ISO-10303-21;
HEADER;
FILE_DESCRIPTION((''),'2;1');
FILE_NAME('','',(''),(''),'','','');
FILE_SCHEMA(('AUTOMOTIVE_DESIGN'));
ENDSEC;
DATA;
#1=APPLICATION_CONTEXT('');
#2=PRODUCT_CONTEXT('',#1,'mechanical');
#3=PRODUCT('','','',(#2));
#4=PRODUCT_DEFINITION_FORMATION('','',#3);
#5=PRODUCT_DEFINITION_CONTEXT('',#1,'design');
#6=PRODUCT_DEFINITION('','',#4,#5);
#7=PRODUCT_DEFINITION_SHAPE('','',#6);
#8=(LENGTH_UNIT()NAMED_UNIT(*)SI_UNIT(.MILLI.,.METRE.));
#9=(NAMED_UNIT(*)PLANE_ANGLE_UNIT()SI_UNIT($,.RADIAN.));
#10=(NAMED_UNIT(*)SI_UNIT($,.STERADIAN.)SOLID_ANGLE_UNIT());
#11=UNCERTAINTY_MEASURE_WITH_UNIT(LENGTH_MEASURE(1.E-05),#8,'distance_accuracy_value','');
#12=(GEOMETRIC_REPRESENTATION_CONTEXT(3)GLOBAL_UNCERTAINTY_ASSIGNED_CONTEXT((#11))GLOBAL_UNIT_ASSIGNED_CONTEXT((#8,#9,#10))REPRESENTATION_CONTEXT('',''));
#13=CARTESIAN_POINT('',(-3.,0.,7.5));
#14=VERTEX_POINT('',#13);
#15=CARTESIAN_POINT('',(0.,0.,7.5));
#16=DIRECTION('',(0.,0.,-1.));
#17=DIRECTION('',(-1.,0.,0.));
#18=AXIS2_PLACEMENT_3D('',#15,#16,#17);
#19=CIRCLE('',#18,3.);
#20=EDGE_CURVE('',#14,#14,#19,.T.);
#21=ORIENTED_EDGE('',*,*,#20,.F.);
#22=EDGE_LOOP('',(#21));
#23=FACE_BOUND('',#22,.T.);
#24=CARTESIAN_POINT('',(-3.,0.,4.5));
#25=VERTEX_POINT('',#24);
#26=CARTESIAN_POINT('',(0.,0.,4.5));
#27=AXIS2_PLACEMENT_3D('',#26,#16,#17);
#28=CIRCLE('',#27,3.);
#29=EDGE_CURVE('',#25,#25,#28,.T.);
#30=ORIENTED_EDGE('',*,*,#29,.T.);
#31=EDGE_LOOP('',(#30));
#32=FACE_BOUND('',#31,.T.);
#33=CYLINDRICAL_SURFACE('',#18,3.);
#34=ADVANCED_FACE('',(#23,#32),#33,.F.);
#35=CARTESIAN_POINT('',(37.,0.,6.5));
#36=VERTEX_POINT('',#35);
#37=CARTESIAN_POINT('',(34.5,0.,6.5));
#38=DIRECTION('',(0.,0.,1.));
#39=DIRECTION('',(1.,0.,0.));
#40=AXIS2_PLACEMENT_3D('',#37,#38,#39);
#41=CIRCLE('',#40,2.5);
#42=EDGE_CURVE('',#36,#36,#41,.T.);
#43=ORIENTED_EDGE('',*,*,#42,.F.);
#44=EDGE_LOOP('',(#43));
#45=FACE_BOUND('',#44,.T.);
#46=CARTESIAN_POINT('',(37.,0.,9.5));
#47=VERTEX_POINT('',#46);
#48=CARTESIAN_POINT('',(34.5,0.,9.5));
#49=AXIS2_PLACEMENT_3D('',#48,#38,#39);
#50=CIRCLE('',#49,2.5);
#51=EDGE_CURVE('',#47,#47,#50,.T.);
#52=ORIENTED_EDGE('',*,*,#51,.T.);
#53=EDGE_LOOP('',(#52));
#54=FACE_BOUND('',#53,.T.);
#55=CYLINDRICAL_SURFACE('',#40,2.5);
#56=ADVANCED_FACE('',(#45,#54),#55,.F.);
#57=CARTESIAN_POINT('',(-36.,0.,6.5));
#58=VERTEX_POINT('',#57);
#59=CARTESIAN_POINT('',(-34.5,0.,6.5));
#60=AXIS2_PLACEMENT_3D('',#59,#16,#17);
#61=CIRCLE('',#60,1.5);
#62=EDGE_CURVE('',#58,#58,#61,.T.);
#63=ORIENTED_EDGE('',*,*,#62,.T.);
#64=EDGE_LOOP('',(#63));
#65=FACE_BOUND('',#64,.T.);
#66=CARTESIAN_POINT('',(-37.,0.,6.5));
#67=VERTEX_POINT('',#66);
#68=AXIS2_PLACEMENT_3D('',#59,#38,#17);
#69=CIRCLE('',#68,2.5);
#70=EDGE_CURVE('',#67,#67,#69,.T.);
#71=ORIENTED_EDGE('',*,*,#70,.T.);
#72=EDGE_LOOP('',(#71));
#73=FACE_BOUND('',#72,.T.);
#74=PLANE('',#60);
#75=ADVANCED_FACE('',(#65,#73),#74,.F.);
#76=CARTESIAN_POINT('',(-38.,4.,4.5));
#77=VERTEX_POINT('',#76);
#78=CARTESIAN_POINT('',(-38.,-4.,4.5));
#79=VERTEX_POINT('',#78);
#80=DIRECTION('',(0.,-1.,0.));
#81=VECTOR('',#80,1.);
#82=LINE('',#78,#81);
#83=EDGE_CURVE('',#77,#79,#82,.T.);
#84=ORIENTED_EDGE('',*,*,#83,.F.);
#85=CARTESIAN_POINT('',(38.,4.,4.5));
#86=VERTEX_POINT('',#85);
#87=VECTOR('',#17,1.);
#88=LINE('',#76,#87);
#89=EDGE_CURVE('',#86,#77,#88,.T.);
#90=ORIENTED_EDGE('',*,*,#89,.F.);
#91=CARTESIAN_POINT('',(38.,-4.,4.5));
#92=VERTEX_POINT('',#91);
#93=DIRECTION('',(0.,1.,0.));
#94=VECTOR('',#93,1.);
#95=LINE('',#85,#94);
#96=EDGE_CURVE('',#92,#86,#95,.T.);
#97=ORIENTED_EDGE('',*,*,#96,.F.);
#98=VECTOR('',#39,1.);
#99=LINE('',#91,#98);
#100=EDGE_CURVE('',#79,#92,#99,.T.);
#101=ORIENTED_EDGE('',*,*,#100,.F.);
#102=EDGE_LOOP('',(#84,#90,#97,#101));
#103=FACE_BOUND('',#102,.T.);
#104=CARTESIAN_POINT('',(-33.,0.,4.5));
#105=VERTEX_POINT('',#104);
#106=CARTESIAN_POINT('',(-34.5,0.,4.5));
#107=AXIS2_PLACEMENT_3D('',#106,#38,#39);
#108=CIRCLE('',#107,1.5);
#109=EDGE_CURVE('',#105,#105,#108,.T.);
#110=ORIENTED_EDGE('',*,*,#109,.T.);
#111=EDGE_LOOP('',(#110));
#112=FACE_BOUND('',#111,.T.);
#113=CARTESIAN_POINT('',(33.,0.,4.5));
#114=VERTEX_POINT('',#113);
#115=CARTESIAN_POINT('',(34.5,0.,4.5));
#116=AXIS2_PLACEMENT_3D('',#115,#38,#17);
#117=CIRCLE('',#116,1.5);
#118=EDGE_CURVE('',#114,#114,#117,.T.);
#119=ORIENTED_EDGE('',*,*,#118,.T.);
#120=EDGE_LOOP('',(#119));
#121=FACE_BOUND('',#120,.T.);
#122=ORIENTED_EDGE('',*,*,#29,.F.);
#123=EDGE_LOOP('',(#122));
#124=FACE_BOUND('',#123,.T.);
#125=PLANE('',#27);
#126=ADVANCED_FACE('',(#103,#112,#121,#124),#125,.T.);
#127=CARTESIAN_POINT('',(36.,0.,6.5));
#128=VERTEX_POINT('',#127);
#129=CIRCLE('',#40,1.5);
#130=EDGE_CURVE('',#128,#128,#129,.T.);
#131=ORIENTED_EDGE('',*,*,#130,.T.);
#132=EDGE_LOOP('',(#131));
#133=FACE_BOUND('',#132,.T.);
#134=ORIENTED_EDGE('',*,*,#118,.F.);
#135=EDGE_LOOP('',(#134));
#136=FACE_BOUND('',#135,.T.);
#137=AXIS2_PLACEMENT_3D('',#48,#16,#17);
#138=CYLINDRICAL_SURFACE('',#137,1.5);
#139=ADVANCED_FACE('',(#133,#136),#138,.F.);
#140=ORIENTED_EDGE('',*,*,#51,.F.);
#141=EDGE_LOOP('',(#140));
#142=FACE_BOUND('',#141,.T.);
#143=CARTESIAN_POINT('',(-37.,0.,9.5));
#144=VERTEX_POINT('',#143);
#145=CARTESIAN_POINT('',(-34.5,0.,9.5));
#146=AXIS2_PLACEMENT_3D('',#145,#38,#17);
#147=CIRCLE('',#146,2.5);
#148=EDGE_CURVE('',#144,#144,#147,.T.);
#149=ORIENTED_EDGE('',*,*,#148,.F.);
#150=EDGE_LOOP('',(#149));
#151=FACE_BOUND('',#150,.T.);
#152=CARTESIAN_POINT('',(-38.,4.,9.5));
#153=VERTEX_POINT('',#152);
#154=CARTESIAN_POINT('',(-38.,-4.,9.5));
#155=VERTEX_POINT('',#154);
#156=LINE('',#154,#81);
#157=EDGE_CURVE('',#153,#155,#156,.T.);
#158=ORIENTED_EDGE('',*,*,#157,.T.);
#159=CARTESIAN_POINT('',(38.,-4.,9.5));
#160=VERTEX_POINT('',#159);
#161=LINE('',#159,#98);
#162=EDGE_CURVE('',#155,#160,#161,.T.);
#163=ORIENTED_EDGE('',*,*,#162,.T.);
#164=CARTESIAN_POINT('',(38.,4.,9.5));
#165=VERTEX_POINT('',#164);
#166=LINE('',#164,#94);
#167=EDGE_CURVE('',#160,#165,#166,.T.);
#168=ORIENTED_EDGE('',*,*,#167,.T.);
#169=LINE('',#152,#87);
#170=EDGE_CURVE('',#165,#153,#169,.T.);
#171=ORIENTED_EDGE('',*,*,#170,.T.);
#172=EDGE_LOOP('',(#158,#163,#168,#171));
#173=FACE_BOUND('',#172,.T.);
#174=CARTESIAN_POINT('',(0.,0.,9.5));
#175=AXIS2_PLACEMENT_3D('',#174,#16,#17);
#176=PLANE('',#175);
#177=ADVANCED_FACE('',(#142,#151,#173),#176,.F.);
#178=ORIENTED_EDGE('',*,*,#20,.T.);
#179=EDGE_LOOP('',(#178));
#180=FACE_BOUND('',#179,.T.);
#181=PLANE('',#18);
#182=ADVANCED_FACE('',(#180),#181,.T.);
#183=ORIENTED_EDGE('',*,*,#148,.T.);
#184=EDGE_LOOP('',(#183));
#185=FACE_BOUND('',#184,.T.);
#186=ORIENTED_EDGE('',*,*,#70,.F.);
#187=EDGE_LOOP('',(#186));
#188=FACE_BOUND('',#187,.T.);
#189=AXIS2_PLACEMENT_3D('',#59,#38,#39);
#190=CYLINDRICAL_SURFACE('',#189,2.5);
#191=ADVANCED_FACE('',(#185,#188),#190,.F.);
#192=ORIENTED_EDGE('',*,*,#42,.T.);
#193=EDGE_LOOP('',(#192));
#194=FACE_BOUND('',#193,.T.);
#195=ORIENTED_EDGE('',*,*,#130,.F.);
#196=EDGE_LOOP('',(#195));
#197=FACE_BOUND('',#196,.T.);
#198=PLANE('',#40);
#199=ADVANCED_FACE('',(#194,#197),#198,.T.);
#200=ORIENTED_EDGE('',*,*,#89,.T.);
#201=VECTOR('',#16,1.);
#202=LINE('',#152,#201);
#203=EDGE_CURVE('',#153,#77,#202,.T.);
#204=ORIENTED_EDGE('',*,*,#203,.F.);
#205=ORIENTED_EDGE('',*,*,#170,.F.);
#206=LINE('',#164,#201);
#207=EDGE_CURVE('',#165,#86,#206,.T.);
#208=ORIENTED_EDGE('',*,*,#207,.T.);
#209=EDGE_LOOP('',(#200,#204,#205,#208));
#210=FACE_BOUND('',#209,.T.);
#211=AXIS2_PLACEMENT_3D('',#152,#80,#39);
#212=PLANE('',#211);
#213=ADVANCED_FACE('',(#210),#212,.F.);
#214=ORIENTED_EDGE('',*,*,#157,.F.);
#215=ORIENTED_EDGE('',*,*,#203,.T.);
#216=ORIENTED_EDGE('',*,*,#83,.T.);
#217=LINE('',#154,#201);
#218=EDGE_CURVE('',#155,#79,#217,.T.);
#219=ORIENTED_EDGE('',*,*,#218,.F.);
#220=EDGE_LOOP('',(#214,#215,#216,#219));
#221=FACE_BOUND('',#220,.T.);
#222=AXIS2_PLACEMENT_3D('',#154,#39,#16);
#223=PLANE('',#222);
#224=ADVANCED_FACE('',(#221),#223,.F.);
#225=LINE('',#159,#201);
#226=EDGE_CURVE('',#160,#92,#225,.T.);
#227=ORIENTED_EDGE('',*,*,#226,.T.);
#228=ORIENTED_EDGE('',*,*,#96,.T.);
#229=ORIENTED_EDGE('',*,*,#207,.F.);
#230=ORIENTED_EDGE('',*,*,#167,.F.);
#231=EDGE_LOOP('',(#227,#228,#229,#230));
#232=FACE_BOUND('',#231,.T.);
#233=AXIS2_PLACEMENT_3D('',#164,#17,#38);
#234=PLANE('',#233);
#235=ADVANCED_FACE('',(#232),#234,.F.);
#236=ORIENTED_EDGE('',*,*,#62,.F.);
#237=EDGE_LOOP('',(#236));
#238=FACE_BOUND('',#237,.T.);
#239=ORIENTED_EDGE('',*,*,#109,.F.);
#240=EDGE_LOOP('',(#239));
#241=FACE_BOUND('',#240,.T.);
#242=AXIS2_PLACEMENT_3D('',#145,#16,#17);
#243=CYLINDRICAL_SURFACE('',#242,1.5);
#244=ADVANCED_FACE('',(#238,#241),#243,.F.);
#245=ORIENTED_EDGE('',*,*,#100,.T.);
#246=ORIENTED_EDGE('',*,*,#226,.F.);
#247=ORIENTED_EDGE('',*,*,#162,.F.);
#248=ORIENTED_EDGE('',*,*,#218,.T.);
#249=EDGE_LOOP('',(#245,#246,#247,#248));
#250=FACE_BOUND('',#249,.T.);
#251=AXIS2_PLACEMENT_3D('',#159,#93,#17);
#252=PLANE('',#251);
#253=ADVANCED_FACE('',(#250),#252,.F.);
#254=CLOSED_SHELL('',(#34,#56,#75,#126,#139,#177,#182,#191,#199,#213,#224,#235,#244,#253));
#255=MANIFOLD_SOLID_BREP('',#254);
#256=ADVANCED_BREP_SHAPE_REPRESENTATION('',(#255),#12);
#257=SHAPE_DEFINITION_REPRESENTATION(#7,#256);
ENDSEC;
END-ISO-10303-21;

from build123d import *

# Parameters (mm, degrees)
SKETCH3_W           = 76
SKETCH3_H           = 8
SKETCH3_R           = 1.5
BOSS_EXTRUDE1_DEPTH = 5
SKETCH4_R           = 3
CUT_EXTRUDE1_DEPTH  = 3
SKETCH5_R           = 2.5
CUT_EXTRUDE2_DEPTH  = 3


with BuildPart() as part:
    # Sketch3 → Boss-Extrude1 (new body)
    with BuildSketch(Plane.XY.offset(4.5)):
        Rectangle(SKETCH3_W, SKETCH3_H)
        with Locations((-34.5, 0)):
            Circle(SKETCH3_R, mode=Mode.SUBTRACT)
        with Locations((34.5, 0)):
            Circle(SKETCH3_R, mode=Mode.SUBTRACT)
    extrude(amount=BOSS_EXTRUDE1_DEPTH)

    # Sketch4 → Cut-Extrude1 (cut)
    with BuildSketch(Plane(origin=(0, 0, 4.5), x_dir=(-1, 0, 0), z_dir=(0, 0, -1))):
        Circle(SKETCH4_R)
    extrude(amount=-CUT_EXTRUDE1_DEPTH, mode=Mode.SUBTRACT)

    # Sketch5 → Cut-Extrude2 (cut)
    with BuildSketch(Plane.XY.offset(9.5)):
        with Locations((34.5, 0)):
            Circle(SKETCH5_R)
        with Locations((-34.5, 0)):
            Circle(SKETCH5_R)
    extrude(amount=-CUT_EXTRUDE2_DEPTH, mode=Mode.SUBTRACT)


solid = part.part
